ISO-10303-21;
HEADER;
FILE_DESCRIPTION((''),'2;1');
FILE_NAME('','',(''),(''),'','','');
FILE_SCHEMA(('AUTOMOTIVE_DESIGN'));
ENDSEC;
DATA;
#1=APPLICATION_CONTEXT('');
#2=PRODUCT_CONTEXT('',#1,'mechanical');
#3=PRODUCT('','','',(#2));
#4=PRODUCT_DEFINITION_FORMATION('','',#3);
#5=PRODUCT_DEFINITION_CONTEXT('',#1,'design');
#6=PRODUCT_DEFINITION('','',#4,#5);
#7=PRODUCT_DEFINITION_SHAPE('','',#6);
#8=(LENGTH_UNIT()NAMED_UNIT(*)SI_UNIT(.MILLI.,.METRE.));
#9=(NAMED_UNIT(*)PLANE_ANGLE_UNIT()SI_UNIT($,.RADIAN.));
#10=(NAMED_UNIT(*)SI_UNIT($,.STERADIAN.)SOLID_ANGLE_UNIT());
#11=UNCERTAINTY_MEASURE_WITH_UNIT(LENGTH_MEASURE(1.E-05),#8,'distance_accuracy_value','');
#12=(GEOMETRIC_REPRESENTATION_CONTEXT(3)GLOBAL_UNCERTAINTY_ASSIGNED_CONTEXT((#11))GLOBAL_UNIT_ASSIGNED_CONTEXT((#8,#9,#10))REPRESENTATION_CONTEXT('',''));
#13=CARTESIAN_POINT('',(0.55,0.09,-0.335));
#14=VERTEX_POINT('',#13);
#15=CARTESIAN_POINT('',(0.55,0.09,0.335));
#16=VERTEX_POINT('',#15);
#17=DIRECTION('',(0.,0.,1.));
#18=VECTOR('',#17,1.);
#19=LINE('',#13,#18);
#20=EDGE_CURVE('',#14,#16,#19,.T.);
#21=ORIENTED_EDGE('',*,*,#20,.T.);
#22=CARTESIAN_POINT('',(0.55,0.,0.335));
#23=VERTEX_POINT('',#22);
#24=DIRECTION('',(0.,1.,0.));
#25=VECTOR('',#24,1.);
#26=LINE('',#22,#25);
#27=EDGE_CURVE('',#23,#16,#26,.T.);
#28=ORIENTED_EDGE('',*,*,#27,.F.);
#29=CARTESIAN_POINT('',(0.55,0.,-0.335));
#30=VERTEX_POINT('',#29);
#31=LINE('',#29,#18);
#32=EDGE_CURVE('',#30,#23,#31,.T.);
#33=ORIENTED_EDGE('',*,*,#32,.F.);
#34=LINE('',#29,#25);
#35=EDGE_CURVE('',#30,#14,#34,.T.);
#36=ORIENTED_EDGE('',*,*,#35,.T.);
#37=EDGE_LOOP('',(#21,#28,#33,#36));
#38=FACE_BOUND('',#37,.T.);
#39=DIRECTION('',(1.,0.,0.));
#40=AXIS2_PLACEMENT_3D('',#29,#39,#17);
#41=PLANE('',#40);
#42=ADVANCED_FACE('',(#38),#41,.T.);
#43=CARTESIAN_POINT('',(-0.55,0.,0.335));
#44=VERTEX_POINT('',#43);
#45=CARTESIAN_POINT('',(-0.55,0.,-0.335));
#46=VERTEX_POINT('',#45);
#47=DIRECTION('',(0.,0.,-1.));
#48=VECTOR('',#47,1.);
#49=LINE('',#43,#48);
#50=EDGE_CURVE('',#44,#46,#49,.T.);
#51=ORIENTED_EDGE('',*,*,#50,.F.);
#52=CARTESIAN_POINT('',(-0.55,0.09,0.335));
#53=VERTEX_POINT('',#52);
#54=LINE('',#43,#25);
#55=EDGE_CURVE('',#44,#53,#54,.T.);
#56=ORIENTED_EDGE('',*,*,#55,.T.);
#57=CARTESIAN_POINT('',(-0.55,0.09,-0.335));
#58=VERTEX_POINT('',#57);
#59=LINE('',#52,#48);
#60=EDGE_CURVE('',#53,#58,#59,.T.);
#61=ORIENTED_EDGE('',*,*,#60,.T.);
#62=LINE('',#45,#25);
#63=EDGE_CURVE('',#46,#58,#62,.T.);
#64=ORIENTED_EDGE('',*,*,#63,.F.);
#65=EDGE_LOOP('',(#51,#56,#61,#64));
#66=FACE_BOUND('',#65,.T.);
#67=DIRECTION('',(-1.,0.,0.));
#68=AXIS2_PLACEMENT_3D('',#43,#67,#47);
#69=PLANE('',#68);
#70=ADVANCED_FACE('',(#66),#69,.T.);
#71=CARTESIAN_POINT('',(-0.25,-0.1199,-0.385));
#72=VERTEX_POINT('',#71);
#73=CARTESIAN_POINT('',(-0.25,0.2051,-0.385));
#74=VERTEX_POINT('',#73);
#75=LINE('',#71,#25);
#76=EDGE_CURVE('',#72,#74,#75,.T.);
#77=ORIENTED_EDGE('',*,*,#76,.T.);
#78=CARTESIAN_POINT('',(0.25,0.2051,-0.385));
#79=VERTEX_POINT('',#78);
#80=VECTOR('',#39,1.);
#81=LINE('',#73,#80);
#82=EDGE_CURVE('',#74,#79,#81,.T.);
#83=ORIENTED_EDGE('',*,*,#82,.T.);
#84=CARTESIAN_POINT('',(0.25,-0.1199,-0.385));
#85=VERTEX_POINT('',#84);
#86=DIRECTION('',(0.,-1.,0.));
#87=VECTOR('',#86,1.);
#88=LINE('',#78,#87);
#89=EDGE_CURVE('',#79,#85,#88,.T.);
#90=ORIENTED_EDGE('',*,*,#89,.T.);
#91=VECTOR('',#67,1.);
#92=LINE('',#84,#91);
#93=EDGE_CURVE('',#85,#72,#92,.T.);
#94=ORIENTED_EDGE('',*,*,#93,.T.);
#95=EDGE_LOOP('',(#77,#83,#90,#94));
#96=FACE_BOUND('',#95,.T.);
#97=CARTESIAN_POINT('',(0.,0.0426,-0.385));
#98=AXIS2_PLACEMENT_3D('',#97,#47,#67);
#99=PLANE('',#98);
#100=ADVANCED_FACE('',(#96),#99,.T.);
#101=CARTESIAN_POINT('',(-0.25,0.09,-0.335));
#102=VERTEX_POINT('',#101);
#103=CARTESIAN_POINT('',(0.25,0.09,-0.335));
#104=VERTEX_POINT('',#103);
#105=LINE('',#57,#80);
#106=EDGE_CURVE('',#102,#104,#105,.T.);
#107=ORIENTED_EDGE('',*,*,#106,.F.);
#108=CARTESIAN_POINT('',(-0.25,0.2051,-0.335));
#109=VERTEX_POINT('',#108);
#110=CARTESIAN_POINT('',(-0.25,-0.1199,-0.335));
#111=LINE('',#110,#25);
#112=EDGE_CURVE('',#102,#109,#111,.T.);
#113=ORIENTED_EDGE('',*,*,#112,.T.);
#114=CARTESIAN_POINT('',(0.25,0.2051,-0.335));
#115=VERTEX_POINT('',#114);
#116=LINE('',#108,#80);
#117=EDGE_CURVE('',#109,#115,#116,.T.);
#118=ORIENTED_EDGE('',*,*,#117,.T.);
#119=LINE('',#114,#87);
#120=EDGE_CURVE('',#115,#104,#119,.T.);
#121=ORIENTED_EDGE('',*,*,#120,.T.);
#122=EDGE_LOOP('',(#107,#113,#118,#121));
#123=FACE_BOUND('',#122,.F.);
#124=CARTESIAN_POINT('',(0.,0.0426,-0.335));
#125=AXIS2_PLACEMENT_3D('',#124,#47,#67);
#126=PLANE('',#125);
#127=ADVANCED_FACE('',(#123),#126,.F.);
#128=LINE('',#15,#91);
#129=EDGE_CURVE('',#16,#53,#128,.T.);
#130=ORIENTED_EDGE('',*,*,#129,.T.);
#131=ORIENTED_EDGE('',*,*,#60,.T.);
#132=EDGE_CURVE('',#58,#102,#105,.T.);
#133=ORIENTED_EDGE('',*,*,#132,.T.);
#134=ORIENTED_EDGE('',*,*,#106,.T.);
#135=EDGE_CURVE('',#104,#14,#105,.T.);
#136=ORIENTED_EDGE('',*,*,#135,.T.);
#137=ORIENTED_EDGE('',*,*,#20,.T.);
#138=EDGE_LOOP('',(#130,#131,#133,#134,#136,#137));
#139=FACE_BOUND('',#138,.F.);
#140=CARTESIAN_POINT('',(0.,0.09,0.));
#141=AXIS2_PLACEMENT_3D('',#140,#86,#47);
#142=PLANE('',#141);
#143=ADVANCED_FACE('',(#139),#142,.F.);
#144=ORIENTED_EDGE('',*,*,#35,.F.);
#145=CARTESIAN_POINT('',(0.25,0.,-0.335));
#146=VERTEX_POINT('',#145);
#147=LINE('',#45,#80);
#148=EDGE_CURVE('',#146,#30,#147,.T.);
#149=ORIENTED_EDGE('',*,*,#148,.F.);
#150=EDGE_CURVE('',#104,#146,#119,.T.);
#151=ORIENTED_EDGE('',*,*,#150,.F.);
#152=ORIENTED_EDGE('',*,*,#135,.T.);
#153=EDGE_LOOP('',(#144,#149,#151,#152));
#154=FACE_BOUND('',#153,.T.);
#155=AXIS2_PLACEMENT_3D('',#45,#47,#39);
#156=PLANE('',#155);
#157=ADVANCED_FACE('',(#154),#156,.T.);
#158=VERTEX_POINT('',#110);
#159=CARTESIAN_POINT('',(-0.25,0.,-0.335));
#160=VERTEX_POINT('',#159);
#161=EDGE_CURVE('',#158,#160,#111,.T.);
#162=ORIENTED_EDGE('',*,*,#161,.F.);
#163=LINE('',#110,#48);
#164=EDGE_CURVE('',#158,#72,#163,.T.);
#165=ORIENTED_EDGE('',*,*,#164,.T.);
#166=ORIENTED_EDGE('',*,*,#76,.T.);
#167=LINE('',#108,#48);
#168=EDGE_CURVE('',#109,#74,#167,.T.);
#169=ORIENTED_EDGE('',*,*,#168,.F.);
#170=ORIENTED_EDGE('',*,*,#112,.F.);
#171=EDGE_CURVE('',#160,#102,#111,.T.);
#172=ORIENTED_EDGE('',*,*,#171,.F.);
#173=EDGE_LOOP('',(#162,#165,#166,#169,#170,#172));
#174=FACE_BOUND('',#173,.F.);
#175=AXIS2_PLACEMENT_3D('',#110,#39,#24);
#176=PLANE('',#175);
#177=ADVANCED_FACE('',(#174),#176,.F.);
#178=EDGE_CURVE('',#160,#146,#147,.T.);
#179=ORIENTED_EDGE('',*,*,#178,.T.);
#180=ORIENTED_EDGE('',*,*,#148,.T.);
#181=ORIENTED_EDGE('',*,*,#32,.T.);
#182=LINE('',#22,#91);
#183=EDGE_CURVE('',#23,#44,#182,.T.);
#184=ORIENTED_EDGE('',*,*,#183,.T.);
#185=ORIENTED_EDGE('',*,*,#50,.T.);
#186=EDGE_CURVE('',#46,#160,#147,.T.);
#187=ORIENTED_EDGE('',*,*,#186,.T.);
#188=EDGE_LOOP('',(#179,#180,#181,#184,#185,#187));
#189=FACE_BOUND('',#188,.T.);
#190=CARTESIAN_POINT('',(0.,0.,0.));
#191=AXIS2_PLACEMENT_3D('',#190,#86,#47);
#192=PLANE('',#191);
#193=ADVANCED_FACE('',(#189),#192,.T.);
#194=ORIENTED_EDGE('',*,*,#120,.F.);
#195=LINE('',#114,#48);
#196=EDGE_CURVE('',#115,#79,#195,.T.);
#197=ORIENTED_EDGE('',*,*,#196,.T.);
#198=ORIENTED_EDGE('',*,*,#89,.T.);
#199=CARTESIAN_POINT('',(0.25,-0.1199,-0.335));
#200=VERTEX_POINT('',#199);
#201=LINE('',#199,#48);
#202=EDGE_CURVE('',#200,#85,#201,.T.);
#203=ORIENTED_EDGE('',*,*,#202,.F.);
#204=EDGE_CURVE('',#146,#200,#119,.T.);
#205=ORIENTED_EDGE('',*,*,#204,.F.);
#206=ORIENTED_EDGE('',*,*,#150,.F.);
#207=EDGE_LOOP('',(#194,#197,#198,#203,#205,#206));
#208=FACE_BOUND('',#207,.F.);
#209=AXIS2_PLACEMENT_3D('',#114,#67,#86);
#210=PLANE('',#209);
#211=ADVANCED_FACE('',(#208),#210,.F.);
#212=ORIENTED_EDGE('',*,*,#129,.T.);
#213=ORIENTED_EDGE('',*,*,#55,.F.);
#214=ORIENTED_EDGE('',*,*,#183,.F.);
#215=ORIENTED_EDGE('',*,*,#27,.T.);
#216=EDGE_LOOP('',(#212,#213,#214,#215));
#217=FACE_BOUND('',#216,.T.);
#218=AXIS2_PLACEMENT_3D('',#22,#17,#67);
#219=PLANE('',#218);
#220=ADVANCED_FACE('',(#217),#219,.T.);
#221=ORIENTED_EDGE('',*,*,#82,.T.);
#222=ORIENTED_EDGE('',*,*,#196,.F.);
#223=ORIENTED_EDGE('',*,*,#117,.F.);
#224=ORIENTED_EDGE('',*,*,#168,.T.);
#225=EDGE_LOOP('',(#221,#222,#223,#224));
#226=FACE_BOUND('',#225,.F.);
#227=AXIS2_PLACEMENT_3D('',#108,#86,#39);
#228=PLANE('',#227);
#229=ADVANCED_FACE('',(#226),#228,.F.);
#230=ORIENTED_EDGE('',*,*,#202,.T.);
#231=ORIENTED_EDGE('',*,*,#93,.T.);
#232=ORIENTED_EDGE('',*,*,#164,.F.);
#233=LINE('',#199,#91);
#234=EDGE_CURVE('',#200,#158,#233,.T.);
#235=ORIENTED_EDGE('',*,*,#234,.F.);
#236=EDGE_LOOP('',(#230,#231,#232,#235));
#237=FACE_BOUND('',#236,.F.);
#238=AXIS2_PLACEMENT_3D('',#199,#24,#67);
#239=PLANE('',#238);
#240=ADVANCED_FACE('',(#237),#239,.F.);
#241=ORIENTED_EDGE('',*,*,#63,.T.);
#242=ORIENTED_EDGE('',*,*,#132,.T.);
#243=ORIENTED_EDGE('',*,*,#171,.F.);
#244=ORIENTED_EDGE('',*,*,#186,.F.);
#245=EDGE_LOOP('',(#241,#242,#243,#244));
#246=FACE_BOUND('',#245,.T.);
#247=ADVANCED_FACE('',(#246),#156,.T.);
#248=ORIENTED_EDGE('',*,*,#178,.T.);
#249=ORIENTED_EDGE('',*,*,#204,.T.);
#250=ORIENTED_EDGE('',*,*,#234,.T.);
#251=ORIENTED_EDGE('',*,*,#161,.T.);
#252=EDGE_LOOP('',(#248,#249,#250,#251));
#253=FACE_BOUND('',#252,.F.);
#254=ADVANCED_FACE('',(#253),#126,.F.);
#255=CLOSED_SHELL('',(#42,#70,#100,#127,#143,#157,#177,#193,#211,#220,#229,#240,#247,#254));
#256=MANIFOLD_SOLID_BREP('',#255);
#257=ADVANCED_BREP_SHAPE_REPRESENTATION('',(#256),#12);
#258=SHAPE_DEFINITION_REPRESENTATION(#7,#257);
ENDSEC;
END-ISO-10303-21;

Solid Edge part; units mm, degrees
sketch "Sketch1" plane through (0, 0, 0) normal (0, -1, 0) x (1, 0, 0)
  line L0 (-0.55, -0.335) -> (0.55, -0.335)
  line L1 (0.55, -0.335) -> (0.55, 0.335)
  line L2 (0.55, 0.335) -> (-0.55, 0.335)
  line L3 (-0.55, 0.335) -> (-0.55, -0.335)
  dimension "D1" = 1.1
  dimension "D2" = 0.67
extrude "Protrusion1" add sketch "Sketch1" against normal blind 0.09
sketch "Sketch2" plane through (0, 0.045, -0.335) normal (0, 0, -1) x (1, 0, 0)
  line L0 (-0.25, -0.1601) -> (0.25, -0.1601)
  line L1 (0.25, -0.1601) -> (0.25, 0.1649)
  line L2 (0.25, 0.1649) -> (-0.25, 0.1649)
  line L3 (-0.25, 0.1649) -> (-0.25, -0.1601)
  dimension "D1" = 0.325
  dimension "D2" = 0.5
  dimension "D3" = 0.0426
extrude "Ausprägung_2" add sketch "Sketch2" along normal blind 0.05
